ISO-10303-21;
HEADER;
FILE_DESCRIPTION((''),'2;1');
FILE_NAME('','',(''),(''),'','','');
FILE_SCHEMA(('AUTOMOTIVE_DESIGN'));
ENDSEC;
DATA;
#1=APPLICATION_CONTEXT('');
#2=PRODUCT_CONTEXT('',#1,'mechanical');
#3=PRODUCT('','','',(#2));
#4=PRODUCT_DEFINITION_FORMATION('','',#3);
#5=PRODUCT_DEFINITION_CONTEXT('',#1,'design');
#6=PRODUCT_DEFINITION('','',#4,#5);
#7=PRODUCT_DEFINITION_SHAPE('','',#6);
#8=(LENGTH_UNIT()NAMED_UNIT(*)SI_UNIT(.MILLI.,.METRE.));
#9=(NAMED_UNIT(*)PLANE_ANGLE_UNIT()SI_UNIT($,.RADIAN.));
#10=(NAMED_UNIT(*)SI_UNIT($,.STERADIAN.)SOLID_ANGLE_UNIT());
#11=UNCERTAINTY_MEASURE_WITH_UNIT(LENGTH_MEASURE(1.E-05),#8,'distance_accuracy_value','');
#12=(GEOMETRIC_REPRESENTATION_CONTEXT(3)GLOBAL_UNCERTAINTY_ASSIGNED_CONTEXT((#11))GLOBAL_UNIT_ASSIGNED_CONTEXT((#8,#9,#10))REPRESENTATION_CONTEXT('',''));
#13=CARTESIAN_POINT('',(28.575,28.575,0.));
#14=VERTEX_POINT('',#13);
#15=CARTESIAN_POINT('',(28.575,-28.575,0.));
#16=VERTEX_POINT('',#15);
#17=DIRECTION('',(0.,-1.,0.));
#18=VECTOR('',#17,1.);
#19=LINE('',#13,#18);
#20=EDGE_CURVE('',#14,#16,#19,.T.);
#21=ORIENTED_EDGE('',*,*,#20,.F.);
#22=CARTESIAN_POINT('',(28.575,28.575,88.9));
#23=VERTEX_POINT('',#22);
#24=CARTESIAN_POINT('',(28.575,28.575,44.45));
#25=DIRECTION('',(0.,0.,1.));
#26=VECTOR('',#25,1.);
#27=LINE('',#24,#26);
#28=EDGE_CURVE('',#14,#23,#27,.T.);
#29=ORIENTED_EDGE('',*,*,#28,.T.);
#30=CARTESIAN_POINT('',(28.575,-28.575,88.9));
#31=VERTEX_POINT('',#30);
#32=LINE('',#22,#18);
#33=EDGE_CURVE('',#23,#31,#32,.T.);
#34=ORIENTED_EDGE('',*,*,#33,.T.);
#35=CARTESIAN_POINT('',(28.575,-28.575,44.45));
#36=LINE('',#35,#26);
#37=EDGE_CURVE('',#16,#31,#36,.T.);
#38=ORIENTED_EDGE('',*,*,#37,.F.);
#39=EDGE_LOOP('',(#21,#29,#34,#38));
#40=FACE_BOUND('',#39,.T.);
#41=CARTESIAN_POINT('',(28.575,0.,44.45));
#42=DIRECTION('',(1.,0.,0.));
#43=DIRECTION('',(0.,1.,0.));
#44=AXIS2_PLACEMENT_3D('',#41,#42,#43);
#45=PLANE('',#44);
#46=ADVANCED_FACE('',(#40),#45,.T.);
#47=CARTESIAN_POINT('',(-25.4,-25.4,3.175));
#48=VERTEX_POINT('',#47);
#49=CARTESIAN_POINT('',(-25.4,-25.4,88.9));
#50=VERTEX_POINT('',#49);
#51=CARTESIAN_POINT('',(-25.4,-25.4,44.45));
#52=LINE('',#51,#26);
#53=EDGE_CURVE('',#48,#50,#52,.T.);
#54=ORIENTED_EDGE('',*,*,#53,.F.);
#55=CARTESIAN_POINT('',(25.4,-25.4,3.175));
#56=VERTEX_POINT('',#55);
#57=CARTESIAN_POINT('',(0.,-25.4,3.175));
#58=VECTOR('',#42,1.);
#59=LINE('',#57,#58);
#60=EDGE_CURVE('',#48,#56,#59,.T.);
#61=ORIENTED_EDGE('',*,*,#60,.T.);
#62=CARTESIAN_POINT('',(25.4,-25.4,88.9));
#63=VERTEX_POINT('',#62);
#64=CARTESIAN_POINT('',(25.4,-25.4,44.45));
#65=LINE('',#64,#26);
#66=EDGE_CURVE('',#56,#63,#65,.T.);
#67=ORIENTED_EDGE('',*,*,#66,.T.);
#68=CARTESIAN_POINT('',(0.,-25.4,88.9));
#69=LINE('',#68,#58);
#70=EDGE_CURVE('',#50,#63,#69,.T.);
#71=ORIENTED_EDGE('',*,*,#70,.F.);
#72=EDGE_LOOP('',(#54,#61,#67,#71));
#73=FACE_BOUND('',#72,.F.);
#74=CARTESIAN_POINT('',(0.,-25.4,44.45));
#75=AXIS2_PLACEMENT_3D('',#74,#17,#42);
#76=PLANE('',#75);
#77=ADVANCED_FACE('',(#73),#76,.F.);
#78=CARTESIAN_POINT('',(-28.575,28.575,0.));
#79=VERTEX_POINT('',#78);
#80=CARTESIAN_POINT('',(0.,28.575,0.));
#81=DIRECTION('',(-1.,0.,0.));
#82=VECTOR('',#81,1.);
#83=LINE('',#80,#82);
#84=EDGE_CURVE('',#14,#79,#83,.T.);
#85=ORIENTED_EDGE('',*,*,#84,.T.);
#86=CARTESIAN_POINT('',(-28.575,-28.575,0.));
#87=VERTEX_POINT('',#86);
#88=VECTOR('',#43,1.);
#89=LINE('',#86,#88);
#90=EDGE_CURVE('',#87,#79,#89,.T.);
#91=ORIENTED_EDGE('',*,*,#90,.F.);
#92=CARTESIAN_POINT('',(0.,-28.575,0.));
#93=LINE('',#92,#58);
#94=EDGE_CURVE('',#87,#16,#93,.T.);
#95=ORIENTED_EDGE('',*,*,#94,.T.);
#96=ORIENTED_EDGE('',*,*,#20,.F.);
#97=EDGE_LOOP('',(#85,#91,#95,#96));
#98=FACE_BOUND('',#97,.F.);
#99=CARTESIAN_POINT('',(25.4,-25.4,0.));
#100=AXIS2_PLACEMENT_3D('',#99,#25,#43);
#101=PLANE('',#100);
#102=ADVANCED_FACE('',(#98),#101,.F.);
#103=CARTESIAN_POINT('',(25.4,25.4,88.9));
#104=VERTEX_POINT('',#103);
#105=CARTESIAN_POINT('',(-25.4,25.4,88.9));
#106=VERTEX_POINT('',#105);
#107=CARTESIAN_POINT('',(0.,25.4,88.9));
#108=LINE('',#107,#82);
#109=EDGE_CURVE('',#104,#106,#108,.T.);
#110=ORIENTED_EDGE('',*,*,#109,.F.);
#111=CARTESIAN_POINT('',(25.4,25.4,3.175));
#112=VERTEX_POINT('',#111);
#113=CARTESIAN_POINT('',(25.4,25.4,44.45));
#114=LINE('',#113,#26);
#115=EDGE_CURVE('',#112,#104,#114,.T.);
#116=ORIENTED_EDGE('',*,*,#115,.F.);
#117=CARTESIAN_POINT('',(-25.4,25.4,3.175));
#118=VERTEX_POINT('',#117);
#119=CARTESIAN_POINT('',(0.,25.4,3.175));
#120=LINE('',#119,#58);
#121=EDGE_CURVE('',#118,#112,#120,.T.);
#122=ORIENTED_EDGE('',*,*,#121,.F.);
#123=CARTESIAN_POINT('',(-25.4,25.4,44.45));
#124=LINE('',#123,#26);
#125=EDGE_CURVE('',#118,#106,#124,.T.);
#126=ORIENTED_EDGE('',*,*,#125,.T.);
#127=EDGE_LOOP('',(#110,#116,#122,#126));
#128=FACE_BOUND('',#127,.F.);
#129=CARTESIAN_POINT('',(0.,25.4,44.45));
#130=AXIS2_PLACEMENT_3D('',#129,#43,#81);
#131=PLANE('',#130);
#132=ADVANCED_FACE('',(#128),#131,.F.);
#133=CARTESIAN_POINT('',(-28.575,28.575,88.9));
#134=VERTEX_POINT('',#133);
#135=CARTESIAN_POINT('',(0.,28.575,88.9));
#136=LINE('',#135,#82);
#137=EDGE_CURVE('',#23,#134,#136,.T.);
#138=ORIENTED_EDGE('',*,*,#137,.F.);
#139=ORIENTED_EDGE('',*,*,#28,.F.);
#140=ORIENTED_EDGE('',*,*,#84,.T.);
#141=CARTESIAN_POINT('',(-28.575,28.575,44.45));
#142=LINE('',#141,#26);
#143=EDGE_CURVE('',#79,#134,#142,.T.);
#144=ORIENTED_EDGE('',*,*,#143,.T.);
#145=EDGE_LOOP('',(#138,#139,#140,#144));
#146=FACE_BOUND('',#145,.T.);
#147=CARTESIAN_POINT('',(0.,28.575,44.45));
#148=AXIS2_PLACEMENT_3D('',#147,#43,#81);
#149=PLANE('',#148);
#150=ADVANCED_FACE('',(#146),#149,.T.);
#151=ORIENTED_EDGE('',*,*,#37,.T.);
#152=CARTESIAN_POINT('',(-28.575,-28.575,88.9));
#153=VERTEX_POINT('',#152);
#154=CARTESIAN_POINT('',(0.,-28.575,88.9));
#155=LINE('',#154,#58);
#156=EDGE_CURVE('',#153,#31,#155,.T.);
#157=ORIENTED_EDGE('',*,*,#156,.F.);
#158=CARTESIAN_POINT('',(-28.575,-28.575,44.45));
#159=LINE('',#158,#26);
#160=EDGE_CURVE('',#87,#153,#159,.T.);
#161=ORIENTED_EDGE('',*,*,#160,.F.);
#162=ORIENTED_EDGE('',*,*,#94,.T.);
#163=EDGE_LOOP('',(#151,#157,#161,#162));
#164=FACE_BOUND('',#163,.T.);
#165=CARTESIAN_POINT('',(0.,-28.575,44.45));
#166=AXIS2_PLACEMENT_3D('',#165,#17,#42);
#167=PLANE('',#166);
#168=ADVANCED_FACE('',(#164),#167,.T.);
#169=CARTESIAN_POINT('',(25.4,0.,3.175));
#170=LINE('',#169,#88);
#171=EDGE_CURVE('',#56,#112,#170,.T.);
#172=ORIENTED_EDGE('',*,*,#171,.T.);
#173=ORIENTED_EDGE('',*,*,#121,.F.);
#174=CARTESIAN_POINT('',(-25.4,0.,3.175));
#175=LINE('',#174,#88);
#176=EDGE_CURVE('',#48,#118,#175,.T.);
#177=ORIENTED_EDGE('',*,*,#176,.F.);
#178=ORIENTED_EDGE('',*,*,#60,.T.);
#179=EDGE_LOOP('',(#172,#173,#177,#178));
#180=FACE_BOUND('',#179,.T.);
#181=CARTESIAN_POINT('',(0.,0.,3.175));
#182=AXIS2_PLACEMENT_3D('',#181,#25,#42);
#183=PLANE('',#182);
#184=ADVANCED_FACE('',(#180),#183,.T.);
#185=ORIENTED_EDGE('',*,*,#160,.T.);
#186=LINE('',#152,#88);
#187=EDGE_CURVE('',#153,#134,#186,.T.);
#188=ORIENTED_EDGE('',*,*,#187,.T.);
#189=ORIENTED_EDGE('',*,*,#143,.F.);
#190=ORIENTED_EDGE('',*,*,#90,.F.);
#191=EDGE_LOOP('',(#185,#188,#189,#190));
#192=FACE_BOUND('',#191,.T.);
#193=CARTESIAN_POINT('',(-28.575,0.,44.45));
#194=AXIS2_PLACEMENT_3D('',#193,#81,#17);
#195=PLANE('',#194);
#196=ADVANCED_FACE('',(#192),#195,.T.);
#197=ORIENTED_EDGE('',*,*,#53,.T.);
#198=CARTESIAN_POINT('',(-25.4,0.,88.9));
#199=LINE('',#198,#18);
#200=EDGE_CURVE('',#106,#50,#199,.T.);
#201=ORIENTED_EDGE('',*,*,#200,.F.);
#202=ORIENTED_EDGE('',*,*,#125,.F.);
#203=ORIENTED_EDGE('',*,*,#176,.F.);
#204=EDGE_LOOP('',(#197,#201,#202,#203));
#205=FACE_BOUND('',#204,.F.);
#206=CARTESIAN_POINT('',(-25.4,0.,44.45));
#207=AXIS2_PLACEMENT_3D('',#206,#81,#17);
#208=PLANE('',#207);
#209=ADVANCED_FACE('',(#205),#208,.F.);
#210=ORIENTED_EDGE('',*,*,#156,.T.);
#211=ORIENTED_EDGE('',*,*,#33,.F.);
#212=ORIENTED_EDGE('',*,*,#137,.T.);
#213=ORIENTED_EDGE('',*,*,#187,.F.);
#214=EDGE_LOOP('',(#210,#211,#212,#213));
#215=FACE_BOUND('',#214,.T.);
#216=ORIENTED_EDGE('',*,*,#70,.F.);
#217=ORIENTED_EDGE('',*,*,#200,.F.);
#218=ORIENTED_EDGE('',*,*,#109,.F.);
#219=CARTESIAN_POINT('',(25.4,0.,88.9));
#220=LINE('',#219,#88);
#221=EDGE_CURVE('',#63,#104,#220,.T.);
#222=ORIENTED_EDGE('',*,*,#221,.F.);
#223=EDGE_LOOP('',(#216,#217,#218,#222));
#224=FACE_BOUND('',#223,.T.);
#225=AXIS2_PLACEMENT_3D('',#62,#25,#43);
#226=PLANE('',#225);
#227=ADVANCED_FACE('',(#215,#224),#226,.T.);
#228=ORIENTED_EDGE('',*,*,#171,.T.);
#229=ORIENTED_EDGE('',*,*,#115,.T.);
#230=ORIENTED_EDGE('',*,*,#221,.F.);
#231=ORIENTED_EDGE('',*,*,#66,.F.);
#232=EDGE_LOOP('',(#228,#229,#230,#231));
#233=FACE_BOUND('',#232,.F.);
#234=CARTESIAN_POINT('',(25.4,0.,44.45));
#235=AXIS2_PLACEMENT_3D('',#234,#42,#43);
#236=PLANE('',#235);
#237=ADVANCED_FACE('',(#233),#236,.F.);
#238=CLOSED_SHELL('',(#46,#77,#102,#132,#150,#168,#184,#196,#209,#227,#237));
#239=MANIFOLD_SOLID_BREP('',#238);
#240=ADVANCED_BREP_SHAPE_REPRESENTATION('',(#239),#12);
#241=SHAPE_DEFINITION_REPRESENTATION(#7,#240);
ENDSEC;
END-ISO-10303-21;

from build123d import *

# Parameters (mm, degrees)
F0_W     = 50.8
F0_H     = 50.8
F1_DEPTH = 3.175
F2_W     = 57.15
F2_H     = 88.9
F3_DEPTH = 3.175
F4_W     = 57.15
F4_H     = 88.9
F5_DEPTH = 3.175
F6_W     = 50.8
F6_H     = 88.9
F7_DEPTH = 3.175
F8_W     = 50.8
F8_H     = 88.9
F9_DEPTH = 3.175


with BuildPart() as f1:
    # F0 (on Top) → F1 (new body)
    with BuildSketch(Plane.XY):
        Rectangle(F0_W, F0_H)
    extrude(amount=F1_DEPTH)

    # F2 (on face) → F3 (join)
    with BuildSketch(Plane.XZ.offset(25.4)):
        with Locations((0, 44.45)):
            Rectangle(F2_W, F2_H)
    extrude(amount=F3_DEPTH)

    # F4 (on face) → F5 (join)
    with BuildSketch(Plane(origin=(0, 25.4, 0), x_dir=(-1, 0, 0), z_dir=(0, 1, 0))):
        with Locations((0, 44.45)):
            Rectangle(F4_W, F4_H)
    extrude(amount=F5_DEPTH)

    # F6 (on face) → F7 (join)
    with BuildSketch(Plane(origin=(-25.4, 0, 0), x_dir=(0, -1, 0), z_dir=(-1, 0, 0))):
        with Locations((0, 44.45)):
            Rectangle(F6_W, F6_H)
    extrude(amount=F7_DEPTH)

    # F8 (on face) → F9 (join)
    with BuildSketch(Plane.YZ.offset(25.4)):
        with Locations((0, 44.45)):
            Rectangle(F8_W, F8_H)
    extrude(amount=F9_DEPTH)


solid = f1.part
